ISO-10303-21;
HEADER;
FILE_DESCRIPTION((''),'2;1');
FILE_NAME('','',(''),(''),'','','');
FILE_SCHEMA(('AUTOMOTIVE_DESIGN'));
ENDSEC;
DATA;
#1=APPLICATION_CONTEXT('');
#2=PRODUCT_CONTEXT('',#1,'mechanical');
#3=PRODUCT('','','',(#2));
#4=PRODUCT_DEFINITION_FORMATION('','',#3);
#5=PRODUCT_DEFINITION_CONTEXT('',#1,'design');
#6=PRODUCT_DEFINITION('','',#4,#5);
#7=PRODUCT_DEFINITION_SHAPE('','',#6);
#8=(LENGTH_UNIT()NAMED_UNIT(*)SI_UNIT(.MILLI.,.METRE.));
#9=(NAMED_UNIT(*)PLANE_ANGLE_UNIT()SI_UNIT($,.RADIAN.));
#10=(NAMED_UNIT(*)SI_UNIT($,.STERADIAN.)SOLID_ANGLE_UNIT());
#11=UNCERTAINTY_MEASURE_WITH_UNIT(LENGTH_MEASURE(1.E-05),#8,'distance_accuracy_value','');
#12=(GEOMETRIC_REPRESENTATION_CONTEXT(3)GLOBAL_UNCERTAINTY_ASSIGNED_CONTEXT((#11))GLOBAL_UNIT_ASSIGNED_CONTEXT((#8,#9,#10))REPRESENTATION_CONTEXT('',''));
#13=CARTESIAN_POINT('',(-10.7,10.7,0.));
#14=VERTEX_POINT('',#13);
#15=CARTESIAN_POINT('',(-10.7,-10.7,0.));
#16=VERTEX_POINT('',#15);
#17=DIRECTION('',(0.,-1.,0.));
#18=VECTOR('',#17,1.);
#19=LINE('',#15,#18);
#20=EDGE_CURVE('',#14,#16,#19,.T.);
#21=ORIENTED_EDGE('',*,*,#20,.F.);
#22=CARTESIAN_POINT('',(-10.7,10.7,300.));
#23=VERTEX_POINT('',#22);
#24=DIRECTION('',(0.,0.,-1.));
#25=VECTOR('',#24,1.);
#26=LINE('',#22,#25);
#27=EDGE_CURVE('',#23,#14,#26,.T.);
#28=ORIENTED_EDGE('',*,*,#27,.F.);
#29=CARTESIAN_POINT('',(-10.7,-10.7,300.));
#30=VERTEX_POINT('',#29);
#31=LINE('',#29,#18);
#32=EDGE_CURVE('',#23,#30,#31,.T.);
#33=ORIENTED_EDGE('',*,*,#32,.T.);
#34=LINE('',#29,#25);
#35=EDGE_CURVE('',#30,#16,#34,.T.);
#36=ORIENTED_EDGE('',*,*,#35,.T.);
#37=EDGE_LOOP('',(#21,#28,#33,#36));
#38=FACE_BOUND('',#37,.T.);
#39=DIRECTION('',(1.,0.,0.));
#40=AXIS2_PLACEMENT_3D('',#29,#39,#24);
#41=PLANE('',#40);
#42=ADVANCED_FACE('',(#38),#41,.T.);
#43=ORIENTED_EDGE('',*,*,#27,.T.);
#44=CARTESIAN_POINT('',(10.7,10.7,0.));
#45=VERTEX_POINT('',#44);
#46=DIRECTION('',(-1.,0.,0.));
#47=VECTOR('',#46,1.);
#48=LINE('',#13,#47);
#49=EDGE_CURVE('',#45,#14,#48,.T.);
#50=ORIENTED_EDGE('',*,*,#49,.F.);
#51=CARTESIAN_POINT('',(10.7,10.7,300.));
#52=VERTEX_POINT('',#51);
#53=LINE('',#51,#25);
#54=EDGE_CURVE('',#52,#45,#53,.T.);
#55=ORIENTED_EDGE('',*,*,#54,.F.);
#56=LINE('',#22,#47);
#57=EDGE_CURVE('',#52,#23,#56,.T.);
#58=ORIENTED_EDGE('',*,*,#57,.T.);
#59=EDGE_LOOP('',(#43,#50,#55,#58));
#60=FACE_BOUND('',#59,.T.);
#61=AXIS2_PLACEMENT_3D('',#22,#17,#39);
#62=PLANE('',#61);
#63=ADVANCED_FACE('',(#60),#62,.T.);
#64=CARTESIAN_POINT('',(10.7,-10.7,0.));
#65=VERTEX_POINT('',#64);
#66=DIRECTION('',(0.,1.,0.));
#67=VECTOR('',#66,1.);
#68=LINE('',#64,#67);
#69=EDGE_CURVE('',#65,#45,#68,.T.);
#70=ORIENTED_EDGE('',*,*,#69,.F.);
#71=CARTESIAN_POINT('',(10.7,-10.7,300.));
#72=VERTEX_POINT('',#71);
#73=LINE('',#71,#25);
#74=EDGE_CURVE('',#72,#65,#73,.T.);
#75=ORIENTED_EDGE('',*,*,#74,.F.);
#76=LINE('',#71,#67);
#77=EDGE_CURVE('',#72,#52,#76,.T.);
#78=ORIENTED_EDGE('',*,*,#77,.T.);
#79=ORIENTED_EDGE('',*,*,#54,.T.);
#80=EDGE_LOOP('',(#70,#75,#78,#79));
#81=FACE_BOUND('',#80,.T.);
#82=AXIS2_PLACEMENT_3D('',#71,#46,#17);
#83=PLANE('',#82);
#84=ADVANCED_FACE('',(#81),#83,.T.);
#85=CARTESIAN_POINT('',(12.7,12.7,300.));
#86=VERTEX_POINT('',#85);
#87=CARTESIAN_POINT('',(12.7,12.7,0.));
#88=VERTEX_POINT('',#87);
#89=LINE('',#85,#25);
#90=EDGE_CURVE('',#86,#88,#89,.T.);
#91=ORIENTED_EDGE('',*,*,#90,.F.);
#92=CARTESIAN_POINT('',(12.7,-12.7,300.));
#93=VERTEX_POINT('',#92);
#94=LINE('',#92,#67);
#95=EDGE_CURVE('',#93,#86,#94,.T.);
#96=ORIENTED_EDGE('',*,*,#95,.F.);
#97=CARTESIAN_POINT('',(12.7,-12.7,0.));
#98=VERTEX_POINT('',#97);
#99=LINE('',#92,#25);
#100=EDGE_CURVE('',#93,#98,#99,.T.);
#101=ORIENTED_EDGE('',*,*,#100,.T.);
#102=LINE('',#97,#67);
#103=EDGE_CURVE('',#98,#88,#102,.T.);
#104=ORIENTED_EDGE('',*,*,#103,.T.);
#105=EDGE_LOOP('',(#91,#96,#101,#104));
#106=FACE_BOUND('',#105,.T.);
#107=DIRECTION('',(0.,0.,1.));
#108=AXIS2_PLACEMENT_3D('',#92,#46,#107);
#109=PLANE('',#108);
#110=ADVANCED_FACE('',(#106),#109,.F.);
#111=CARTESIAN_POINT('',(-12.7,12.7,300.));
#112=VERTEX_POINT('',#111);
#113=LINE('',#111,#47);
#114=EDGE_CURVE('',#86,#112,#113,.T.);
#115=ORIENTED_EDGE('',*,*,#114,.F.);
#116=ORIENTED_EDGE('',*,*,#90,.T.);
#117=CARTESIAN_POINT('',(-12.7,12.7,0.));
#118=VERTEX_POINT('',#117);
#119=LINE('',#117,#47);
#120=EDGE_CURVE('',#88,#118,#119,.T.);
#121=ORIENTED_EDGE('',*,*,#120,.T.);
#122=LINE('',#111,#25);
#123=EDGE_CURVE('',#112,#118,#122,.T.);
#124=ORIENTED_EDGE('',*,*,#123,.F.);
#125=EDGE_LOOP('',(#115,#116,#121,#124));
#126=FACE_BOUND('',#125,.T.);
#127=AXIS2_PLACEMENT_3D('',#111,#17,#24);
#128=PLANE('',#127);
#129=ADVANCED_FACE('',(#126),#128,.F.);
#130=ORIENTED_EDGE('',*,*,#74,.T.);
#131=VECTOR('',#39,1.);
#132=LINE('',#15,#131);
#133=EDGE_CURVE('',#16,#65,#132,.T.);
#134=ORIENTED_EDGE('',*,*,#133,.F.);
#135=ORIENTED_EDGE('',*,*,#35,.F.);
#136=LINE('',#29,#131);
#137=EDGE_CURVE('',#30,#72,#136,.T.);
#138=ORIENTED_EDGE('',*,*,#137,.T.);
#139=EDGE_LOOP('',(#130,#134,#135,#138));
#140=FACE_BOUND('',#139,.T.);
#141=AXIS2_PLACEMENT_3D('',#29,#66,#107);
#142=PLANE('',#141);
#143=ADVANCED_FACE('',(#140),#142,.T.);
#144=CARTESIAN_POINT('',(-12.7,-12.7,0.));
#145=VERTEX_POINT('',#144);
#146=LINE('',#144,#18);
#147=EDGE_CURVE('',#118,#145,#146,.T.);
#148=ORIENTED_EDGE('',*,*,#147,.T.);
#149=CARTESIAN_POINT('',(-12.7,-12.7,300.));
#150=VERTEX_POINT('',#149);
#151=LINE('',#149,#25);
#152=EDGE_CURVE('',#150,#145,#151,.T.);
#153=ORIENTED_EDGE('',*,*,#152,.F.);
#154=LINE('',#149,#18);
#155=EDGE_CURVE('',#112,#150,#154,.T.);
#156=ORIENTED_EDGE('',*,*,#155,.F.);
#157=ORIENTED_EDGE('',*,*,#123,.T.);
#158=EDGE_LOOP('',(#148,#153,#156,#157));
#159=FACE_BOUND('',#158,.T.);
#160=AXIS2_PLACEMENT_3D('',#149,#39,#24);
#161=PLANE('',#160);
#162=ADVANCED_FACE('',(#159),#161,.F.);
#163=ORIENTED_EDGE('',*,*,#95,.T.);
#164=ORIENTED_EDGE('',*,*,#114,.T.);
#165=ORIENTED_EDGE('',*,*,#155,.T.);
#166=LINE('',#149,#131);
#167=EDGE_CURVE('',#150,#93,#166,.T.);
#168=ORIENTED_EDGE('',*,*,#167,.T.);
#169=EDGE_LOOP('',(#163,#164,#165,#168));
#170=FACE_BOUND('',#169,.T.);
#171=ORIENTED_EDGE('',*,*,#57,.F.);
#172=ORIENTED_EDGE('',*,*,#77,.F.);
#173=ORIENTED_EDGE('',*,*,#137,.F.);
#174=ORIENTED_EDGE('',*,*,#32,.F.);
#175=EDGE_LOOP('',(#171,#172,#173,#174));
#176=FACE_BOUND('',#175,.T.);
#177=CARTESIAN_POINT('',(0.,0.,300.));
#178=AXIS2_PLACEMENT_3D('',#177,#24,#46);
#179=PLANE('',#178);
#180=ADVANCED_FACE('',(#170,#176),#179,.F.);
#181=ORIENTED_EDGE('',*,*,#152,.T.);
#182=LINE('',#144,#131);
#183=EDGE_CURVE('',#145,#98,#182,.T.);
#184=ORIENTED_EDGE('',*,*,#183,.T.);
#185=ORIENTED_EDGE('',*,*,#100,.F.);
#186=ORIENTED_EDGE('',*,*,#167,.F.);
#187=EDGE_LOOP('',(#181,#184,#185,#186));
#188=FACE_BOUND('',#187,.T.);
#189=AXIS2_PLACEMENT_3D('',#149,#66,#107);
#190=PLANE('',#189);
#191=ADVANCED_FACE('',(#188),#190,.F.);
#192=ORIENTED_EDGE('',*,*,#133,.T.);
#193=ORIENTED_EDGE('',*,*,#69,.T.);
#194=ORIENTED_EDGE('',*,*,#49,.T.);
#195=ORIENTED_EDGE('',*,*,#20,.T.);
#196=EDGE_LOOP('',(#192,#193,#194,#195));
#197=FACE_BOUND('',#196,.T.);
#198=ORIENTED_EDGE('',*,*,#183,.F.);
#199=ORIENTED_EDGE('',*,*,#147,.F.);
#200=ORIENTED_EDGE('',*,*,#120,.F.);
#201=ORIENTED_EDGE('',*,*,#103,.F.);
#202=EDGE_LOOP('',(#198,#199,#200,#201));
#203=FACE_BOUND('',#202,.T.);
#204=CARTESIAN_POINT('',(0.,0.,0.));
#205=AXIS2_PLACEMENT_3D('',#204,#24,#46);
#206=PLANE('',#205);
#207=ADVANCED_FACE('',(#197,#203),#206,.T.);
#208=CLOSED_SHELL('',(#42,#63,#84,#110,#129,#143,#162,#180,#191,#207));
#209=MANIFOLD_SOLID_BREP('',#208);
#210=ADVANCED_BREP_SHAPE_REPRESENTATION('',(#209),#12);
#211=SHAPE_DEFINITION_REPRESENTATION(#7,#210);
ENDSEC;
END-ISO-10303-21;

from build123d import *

# Parameters (mm, degrees)
SKETCH1_W           = 25.4
SKETCH1_H           = 25.4
SKETCH1_W_2         = 21.4
SKETCH1_H_2         = 21.4
BOSS_EXTRUDE1_DEPTH = 300


with BuildPart() as part:
    # Sketch1 → Boss-Extrude1 (new body)
    with BuildSketch(Plane.XY):
        Rectangle(SKETCH1_W, SKETCH1_H)
        Rectangle(SKETCH1_W_2, SKETCH1_H_2, mode=Mode.SUBTRACT)
    extrude(amount=BOSS_EXTRUDE1_DEPTH)


solid = part.part
